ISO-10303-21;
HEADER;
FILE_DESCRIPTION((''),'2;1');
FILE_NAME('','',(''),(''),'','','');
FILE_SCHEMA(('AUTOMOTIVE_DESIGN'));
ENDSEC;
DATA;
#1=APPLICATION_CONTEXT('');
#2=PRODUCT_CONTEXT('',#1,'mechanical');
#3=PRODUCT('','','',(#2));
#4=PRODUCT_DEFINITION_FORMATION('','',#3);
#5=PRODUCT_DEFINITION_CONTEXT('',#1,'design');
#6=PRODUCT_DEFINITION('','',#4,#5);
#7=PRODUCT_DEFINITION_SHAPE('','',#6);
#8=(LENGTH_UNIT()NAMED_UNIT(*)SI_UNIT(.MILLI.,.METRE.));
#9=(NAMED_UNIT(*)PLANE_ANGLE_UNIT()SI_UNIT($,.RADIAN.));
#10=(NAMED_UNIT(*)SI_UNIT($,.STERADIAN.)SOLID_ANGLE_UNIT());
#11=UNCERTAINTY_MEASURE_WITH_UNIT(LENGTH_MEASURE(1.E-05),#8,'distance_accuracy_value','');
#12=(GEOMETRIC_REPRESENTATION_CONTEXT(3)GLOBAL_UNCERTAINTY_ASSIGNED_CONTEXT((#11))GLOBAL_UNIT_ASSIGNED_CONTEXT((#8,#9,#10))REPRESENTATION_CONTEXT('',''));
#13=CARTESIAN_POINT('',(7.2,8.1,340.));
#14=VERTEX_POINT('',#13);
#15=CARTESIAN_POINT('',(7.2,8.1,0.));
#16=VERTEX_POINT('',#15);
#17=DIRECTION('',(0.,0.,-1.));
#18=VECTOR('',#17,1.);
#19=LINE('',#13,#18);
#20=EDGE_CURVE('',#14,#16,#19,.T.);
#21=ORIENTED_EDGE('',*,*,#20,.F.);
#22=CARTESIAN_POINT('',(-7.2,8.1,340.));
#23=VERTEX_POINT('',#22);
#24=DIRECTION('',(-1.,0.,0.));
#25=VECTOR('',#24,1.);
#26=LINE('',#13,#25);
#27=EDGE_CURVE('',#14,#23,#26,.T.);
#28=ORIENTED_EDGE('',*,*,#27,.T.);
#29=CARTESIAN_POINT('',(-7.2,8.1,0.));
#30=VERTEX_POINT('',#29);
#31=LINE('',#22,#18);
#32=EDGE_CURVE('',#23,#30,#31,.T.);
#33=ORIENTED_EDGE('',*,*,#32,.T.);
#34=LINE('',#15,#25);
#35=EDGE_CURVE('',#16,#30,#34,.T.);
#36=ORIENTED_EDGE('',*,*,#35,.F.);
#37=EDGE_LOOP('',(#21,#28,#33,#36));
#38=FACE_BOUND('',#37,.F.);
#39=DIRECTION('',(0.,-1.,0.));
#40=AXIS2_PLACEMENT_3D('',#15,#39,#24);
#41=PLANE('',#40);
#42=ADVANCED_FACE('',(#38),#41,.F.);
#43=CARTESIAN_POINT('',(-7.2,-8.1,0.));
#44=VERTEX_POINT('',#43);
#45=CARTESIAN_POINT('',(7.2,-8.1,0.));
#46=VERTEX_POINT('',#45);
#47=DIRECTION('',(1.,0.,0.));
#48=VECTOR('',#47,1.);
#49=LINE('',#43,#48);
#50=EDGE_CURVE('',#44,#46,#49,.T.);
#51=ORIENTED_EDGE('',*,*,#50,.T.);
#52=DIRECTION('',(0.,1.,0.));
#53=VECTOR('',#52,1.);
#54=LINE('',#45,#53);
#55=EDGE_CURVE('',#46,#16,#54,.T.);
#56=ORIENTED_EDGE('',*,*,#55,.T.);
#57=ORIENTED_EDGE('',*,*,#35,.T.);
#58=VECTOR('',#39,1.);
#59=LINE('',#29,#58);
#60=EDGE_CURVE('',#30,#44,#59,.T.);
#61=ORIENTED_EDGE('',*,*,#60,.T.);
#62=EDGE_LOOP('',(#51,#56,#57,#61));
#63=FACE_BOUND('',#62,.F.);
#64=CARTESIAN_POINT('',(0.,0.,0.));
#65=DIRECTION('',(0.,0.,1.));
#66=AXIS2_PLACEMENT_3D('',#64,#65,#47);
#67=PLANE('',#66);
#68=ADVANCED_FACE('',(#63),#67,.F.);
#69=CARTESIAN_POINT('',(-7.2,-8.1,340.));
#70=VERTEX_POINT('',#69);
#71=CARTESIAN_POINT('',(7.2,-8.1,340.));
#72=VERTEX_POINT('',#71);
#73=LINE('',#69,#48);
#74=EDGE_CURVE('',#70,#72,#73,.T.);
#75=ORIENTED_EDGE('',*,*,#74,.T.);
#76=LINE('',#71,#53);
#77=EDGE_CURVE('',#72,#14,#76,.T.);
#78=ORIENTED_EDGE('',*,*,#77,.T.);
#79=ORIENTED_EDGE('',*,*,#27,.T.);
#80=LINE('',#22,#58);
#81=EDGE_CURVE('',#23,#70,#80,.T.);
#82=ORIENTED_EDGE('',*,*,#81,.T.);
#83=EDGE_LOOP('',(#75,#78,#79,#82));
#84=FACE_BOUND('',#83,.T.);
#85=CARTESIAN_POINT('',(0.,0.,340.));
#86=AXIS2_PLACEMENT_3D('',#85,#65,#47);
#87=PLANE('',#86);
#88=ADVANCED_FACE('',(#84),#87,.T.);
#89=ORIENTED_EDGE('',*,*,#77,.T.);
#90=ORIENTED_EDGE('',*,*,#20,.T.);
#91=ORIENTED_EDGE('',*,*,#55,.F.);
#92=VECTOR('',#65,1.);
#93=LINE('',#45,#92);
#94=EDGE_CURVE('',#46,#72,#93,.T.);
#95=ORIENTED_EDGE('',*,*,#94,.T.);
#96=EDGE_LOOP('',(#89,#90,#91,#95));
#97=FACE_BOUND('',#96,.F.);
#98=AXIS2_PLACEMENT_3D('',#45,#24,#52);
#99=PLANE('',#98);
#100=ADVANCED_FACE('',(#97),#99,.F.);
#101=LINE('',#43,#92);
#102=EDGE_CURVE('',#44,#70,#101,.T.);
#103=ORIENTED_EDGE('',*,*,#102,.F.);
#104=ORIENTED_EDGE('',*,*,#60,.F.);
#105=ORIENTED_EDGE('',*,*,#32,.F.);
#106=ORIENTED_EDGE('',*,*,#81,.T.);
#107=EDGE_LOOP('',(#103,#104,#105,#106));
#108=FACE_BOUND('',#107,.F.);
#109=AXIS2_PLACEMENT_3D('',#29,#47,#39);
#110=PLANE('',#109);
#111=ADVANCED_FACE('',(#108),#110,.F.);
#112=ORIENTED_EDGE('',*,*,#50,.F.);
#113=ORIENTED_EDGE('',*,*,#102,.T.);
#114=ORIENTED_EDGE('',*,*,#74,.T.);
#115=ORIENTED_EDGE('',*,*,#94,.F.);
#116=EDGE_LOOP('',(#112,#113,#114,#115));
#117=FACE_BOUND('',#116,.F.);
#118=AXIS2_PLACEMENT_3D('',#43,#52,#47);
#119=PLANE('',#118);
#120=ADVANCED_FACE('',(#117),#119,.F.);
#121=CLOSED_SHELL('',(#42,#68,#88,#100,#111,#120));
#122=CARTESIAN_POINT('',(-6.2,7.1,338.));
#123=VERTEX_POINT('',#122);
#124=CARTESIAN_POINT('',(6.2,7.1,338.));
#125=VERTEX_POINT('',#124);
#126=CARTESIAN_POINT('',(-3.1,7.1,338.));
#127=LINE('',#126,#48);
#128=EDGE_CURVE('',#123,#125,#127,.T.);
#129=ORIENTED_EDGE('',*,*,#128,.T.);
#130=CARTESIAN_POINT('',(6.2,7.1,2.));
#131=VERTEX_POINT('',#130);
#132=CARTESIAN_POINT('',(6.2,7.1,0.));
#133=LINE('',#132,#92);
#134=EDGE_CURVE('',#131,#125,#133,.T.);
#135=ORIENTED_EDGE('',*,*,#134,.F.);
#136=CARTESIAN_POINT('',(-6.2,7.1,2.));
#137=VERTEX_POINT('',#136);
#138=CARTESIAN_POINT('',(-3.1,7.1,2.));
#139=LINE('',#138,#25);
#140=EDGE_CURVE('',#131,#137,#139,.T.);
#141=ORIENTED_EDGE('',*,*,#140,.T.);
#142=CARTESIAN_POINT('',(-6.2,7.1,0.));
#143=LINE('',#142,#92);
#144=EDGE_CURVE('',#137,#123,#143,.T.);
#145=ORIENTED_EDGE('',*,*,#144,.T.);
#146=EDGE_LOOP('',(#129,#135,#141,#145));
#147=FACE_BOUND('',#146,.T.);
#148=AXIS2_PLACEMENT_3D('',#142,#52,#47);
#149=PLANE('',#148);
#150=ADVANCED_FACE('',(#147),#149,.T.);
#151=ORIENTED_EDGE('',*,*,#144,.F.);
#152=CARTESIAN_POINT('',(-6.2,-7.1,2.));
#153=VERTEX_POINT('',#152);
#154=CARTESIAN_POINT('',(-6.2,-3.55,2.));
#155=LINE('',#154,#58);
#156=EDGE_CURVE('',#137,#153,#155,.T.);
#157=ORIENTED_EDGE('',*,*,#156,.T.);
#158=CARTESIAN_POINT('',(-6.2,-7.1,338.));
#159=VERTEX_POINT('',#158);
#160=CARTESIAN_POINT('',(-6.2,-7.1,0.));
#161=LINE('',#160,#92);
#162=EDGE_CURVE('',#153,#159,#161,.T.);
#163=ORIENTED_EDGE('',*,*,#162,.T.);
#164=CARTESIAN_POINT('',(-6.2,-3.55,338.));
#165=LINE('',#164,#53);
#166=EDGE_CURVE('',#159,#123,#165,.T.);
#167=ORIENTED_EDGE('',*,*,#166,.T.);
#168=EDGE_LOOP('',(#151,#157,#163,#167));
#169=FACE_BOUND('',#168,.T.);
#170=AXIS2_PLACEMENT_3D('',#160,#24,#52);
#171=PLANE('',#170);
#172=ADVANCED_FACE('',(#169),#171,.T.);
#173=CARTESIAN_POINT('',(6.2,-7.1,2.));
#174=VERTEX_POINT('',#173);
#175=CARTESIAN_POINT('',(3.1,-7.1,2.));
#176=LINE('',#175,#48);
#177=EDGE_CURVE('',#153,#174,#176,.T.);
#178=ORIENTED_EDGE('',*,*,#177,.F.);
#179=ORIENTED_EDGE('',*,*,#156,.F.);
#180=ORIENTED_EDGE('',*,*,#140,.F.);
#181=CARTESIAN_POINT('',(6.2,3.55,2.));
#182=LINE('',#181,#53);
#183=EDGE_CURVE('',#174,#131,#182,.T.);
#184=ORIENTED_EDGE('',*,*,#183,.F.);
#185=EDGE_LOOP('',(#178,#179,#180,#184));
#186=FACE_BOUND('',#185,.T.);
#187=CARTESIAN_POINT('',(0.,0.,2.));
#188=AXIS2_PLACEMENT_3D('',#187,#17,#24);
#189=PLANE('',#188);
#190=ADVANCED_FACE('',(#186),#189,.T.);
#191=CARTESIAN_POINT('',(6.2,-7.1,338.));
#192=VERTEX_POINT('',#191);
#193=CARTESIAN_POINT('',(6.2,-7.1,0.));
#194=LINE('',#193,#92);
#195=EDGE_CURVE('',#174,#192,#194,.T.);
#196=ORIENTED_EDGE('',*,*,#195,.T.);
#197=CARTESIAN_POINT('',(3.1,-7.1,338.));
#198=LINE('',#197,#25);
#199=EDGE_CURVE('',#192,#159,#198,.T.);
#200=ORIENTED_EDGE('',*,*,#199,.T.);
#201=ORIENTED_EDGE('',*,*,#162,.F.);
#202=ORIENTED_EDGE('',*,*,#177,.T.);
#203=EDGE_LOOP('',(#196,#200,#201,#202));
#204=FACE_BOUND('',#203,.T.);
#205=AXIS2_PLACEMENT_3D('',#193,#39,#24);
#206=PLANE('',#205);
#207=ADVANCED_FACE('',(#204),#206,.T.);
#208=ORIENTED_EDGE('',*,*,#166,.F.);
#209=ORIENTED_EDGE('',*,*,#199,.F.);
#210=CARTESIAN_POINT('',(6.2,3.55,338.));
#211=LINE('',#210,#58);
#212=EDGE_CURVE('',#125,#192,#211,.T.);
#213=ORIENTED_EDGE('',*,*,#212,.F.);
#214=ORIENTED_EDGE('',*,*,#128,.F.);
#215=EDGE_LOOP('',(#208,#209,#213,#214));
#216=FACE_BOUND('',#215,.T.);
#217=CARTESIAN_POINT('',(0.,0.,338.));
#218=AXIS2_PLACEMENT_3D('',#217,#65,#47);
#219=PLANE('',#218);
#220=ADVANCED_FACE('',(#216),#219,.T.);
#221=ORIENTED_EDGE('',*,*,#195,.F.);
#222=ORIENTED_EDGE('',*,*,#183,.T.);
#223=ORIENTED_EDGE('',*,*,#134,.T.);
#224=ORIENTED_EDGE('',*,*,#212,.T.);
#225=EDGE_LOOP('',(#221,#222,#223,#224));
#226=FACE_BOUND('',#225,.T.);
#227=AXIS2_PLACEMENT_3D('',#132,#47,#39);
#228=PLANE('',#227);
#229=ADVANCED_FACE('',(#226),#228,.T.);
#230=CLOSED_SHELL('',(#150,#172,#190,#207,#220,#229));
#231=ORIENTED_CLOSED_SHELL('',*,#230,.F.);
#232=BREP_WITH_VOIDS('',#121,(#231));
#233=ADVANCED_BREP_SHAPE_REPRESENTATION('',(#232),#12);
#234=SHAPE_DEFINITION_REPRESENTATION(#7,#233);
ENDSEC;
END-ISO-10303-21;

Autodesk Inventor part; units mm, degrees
ref_plane "YZ Plane" through (0, 0, 0) normal (1, 0, 0) x (0, 1, 0)
ref_plane "XZ Plane" through (0, 0, 0) normal (0, 1, 0) x (-1, 0, 0)
ref_plane "XY Plane" through (0, 0, 0) normal (0, 0, 1) x (1, 0, 0)
sketch "Sketch1" plane through (0, 0, 0) normal (0, 0, 1) x (1, 0, 0)
  line L0 (-7.2, -8.1) -> (7.2, -8.1)
  line L1 (7.2, -8.1) -> (7.2, 8.1)
  line L2 (7.2, 8.1) -> (-7.2, 8.1)
  line L3 (-7.2, 8.1) -> (-7.2, -8.1)
  line L4 (-6.2, 7.1) -> (6.2, 7.1)
  line L5 (6.2, 7.1) -> (6.2, -7.1)
  line L6 (6.2, -7.1) -> (-6.2, -7.1)
  line L7 (-6.2, -7.1) -> (-6.2, 7.1)
  dimension "d9" = 1
extrude "Extrusion2" add sketch "Sketch1" along normal blind 340
sketch "Sketch2" plane through (0, 0, 340) normal (0, 0, 1) x (1, 0, 0)
  line L0 (-7.2, -8.1) -> (7.2, -8.1) construction
  line L1 (-7.2, 8.1) -> (7.2, 8.1)
  line L2 (7.2, 8.1) -> (7.2, -8.1)
  line L3 (7.2, -8.1) -> (-7.2, -8.1)
  line L4 (-7.2, -8.1) -> (-7.2, 8.1)
  point P0 (0, 0)
extrude "Extrusion3" add sketch "Sketch2" against normal blind 2
sketch "Sketch3" plane through (0, 0, 0) normal (0, 0, -1) x (-1, 0, 0)
  line L0 (-7.2, -8.1) -> (-7.2, 8.1) construction
  line L1 (7.2, 8.1) -> (7.2, -8.1) construction
  line L2 (-7.2, -8.1) -> (7.2, -8.1)
  line L3 (7.2, -8.1) -> (7.2, 8.1)
  line L4 (7.2, 8.1) -> (-7.2, 8.1)
  line L5 (-7.2, 8.1) -> (-7.2, -8.1)
  point P0 (0, 0)
extrude "Extrusion4" add sketch "Sketch3" against normal blind 2
properties part number "PL_rod_single"
